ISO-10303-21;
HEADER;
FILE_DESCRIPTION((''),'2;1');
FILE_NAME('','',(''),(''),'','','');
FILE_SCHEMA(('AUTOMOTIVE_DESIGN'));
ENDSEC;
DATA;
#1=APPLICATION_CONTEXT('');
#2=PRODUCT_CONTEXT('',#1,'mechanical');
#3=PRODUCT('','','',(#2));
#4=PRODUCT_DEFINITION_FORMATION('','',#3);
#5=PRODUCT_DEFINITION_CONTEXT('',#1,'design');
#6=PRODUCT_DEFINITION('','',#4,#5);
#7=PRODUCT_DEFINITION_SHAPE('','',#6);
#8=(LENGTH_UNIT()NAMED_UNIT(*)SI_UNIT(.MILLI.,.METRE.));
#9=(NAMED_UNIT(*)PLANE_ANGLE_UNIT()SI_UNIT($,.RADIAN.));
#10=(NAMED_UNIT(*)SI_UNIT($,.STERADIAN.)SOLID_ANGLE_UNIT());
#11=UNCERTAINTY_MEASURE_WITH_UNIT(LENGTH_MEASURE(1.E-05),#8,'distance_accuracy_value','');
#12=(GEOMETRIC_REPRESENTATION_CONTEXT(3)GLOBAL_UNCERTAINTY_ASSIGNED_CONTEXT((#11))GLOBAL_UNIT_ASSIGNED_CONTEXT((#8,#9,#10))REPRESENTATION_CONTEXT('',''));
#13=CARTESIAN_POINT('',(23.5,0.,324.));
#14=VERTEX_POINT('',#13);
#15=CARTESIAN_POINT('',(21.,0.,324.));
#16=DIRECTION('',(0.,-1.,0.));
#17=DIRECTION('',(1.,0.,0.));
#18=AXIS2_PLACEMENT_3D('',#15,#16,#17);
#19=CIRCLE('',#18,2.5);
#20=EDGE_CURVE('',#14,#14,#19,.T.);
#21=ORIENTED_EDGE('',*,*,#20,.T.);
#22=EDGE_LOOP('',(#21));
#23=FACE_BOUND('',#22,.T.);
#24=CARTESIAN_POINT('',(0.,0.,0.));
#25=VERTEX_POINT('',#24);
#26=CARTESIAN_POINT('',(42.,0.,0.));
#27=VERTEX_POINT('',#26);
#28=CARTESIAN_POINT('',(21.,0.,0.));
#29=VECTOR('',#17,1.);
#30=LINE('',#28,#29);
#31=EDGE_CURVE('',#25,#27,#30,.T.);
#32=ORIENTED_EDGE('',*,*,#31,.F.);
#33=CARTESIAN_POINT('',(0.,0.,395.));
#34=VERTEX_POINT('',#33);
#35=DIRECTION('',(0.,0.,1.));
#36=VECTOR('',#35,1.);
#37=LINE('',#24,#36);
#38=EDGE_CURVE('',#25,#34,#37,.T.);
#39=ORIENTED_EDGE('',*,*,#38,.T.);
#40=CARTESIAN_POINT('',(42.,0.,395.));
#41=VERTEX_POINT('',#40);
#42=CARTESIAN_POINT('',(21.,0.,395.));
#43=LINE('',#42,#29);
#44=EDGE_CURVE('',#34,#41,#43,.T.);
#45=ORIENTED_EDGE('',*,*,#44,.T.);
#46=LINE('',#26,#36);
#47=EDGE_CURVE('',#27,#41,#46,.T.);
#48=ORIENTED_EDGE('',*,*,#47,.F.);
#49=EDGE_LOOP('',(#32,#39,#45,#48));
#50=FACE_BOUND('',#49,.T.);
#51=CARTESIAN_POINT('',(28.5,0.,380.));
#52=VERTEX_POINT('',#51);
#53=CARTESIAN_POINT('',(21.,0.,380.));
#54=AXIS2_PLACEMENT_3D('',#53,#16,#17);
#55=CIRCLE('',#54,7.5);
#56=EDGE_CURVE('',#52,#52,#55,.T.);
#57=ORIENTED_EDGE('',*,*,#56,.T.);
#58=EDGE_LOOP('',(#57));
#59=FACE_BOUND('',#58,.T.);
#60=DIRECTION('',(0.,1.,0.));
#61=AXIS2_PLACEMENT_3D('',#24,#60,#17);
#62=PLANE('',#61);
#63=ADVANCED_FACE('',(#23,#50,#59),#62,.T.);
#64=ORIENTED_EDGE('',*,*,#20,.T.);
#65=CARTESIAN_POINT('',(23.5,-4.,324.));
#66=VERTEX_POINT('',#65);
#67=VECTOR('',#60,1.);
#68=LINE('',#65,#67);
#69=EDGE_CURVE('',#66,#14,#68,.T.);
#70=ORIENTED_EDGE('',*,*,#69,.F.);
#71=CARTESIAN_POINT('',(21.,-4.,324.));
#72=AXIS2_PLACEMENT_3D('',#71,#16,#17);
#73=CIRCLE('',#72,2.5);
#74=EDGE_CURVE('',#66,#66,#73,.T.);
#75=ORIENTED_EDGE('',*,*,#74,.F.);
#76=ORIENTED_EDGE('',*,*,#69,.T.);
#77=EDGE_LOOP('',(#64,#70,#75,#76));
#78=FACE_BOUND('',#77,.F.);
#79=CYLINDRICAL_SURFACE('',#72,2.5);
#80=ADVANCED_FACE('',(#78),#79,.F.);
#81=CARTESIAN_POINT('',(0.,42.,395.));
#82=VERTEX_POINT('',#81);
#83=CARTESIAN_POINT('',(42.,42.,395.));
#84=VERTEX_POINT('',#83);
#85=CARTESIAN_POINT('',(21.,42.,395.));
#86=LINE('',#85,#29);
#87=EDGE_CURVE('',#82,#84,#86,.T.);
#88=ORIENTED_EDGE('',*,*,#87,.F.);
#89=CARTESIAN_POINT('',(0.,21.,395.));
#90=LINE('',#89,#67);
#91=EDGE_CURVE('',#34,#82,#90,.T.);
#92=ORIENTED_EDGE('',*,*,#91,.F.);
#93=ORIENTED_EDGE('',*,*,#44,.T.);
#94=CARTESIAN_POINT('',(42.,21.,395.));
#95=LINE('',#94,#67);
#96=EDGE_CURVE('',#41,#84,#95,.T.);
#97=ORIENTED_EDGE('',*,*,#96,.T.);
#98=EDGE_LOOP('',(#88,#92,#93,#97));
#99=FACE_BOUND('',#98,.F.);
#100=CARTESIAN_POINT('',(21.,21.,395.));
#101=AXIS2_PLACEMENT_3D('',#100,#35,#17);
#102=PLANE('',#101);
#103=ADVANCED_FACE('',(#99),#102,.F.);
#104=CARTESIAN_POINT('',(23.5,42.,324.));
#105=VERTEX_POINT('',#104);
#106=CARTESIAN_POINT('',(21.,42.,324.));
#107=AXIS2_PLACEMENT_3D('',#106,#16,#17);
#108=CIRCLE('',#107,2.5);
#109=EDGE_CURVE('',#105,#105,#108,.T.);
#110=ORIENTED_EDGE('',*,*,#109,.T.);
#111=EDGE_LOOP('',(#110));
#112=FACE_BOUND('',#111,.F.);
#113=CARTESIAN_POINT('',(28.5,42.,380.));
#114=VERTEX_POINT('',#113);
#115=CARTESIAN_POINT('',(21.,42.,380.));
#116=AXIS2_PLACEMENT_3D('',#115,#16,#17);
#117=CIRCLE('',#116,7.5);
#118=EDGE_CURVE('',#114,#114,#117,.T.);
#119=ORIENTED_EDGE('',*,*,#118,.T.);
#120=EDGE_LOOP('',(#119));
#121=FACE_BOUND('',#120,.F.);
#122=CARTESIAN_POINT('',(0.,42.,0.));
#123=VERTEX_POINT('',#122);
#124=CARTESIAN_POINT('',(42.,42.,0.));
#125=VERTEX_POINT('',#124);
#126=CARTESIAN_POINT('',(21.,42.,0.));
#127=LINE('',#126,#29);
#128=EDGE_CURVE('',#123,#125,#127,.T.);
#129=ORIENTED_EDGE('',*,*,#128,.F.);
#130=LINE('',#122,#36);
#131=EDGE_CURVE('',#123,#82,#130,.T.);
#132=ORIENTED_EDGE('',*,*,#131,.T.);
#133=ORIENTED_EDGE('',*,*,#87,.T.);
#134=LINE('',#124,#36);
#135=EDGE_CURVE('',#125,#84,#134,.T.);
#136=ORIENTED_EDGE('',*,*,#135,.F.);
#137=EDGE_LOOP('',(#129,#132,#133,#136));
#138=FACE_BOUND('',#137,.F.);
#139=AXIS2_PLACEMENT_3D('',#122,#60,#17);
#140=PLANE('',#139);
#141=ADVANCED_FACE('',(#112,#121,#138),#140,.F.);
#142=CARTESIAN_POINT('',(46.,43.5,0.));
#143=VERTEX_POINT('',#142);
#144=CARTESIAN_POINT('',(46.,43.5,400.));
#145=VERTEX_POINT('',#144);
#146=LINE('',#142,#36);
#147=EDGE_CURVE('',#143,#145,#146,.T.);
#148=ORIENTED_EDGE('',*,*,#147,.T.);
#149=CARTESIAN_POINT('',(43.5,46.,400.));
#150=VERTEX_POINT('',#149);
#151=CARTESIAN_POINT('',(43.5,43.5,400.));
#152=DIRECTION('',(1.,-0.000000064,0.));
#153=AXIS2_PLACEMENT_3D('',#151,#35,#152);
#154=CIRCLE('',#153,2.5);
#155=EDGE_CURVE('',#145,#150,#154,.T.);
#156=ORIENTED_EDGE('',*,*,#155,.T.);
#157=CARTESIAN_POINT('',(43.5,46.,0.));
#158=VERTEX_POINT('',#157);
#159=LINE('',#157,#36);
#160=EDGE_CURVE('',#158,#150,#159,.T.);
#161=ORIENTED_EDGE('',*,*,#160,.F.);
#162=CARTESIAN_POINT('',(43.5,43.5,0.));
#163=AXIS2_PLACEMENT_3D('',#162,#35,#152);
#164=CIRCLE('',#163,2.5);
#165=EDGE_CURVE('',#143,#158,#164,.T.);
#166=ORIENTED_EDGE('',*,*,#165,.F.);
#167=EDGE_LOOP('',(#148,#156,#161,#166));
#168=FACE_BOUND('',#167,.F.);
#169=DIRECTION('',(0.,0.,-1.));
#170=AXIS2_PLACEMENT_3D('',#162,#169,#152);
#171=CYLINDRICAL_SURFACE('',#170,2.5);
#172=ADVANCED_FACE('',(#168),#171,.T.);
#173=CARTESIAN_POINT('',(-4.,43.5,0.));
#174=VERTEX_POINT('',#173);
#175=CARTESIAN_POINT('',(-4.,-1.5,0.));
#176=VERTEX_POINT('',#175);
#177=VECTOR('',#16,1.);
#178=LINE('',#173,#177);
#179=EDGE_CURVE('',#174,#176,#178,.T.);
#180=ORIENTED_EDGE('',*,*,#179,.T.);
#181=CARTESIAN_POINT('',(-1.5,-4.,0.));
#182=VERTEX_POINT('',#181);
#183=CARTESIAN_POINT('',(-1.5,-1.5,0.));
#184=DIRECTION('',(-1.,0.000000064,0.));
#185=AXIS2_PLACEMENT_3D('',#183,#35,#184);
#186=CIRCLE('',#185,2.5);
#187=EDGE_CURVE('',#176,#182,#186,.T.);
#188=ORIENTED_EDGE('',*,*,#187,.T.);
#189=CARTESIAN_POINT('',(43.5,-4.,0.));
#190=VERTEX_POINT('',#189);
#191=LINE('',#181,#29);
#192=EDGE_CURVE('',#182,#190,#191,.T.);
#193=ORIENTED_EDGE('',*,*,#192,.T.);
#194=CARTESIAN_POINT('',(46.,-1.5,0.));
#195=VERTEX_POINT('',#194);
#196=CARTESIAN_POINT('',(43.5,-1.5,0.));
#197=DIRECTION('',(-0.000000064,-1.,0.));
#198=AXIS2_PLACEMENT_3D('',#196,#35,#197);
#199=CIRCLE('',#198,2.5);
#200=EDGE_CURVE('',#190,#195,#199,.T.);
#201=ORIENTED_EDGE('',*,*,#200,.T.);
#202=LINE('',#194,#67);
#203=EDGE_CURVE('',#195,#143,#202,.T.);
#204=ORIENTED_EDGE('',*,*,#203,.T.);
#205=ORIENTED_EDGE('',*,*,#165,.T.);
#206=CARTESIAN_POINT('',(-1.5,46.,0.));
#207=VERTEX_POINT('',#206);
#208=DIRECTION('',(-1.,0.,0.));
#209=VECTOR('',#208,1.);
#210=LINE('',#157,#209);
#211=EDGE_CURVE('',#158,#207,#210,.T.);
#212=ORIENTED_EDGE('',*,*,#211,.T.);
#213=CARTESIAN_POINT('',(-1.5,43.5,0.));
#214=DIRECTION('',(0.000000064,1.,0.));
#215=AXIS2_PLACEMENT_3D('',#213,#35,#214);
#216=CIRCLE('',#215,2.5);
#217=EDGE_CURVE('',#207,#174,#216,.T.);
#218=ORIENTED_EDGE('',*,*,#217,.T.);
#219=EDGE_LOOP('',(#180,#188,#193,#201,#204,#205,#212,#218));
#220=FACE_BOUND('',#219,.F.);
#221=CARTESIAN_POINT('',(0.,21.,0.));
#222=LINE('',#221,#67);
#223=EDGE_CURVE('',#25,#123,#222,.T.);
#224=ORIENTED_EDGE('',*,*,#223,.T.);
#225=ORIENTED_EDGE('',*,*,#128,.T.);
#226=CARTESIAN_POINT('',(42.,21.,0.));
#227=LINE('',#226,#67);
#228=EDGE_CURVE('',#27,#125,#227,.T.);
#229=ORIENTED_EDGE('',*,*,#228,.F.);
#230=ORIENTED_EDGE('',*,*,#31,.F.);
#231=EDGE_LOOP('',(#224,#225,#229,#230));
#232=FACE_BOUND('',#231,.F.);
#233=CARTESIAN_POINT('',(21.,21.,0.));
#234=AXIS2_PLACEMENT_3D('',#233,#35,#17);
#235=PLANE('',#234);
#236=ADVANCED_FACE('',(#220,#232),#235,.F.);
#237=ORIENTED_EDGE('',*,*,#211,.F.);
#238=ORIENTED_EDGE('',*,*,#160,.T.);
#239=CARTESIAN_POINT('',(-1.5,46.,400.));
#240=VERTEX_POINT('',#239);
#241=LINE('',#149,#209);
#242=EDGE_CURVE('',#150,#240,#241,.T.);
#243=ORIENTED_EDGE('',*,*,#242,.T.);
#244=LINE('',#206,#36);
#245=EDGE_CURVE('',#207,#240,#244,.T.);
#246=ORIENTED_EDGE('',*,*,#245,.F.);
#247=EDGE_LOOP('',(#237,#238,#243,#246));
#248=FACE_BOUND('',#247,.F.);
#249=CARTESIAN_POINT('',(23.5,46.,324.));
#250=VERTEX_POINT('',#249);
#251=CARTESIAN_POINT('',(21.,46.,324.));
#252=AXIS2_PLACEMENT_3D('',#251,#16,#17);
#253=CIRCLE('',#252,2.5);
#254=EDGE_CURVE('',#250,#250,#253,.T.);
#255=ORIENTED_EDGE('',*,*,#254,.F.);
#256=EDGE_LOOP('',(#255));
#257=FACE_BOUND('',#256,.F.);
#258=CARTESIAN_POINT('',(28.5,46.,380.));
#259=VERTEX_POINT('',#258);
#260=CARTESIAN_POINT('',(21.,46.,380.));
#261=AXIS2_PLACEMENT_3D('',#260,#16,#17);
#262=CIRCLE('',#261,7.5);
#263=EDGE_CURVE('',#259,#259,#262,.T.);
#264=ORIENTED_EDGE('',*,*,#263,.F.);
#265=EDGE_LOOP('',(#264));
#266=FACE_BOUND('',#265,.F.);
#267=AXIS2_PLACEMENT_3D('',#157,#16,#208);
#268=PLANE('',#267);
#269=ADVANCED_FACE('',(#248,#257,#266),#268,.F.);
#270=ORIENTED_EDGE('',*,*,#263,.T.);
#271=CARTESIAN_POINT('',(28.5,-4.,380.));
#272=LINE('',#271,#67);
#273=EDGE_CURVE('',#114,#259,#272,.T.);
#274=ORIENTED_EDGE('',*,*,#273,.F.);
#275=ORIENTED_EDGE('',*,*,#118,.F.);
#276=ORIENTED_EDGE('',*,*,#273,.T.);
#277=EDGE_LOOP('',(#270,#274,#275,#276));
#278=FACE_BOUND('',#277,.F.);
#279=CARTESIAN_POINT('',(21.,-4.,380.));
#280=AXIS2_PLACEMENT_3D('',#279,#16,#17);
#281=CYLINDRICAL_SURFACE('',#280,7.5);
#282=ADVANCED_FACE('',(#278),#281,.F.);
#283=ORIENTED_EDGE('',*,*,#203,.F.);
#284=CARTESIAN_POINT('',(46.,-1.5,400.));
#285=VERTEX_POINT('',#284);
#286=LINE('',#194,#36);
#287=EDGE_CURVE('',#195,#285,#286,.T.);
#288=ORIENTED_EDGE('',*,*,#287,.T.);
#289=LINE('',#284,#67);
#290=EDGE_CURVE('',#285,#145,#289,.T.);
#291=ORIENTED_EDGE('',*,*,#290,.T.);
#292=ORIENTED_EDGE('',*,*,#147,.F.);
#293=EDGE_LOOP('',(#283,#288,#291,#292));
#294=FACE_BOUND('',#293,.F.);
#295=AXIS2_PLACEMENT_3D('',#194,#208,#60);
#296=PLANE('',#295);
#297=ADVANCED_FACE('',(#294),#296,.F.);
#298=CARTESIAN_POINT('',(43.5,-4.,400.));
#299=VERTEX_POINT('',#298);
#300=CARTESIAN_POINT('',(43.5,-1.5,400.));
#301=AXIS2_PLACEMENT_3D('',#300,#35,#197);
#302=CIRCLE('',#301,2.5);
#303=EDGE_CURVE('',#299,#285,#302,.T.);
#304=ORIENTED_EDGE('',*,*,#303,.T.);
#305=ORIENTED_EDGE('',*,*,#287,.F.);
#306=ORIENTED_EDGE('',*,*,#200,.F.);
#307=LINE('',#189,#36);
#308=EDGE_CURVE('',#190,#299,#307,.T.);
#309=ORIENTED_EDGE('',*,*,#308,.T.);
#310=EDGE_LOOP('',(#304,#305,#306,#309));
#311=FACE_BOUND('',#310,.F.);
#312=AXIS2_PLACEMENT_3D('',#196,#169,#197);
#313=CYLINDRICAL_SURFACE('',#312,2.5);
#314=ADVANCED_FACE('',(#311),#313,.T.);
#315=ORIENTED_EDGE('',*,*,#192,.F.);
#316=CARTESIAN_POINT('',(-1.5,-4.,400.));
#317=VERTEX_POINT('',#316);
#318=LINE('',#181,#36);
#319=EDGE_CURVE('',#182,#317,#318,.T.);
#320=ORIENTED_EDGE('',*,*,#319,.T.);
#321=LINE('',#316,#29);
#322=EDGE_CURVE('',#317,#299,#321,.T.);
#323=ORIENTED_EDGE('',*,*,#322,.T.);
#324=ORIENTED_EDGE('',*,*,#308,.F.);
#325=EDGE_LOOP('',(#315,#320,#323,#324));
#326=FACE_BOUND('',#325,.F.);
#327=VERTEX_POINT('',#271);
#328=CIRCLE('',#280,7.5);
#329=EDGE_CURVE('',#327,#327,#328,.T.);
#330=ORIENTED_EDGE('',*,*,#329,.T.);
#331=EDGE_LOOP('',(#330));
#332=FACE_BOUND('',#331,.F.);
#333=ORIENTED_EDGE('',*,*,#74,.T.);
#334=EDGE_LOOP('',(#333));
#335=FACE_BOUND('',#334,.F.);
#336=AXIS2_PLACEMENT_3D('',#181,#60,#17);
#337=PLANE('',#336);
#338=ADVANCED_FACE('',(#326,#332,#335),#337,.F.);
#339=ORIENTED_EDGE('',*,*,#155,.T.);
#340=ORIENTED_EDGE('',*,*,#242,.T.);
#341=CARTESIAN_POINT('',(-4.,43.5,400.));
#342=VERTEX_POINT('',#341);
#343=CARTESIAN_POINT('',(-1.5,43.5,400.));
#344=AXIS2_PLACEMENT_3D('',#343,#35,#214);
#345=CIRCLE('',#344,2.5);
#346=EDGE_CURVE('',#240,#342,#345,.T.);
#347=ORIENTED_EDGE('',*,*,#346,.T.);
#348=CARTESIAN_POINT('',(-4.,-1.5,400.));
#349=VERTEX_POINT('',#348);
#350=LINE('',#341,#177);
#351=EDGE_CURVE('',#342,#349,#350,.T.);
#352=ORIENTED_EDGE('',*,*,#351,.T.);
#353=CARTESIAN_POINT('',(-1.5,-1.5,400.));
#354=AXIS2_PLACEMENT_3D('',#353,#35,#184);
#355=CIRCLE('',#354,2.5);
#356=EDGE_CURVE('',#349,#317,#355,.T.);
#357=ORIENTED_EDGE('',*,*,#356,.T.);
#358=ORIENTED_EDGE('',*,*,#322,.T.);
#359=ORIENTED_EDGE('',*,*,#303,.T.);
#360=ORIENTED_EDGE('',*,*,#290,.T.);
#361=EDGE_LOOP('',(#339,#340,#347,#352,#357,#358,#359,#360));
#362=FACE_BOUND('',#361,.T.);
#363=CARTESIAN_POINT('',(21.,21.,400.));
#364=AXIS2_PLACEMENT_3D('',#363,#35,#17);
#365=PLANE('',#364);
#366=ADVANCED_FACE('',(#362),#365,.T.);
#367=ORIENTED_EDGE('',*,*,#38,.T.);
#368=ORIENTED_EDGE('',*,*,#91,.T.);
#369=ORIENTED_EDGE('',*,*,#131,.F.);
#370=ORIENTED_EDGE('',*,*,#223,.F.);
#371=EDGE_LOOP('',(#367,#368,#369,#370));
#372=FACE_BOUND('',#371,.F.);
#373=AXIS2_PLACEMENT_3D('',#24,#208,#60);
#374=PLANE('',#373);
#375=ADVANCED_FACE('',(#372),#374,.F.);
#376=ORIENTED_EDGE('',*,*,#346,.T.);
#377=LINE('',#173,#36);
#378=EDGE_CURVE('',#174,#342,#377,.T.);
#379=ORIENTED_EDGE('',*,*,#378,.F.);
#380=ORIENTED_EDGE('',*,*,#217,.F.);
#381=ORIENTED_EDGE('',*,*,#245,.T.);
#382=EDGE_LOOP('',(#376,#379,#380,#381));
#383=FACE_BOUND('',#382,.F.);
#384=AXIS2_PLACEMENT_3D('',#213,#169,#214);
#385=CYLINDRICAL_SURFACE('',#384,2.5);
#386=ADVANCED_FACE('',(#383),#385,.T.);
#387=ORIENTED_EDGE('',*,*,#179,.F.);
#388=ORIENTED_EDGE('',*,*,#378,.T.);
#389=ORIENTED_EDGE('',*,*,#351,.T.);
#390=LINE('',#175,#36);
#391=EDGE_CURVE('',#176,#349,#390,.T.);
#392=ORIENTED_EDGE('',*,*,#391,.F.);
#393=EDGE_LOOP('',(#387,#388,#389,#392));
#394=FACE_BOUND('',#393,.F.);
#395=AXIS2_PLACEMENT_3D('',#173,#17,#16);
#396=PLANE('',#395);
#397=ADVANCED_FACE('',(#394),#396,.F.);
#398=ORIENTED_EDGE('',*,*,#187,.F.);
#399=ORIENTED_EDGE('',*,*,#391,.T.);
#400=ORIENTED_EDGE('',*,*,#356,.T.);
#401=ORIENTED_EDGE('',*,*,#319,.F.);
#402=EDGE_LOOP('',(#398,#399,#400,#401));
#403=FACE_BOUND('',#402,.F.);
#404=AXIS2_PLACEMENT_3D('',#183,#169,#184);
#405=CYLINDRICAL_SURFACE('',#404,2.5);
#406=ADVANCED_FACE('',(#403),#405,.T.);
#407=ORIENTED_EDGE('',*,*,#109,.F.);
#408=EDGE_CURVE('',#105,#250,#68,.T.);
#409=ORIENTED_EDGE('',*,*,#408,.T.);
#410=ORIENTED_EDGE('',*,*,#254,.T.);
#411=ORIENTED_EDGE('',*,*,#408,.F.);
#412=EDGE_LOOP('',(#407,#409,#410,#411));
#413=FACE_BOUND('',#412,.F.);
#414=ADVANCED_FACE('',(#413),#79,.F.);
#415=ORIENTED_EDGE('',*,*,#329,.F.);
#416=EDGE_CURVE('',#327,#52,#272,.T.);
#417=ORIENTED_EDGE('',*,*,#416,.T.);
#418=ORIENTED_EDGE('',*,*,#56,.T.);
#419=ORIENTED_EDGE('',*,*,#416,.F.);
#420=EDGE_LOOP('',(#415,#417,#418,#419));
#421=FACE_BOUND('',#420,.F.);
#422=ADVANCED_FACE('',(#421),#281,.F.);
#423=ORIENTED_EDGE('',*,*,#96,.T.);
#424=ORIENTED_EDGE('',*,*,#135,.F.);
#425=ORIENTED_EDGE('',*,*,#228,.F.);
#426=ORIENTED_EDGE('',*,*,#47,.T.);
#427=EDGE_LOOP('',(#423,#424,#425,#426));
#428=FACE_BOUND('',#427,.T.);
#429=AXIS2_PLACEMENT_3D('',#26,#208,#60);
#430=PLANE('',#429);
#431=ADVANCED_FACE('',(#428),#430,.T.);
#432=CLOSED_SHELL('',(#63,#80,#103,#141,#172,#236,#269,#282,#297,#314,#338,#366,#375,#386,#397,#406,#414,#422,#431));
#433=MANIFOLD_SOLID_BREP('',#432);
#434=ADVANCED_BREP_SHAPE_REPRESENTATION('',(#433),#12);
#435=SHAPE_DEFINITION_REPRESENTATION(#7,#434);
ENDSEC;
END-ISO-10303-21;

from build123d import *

# Parameters (mm, degrees)
F0_W     = 42
F0_H     = 42
F1_DEPTH = 400
F2_R     = 7.5
F3_DEPTH = 50
F4_W     = 42
F4_H     = 42
F5_DEPTH = 5
F6_R     = 2.5
F7_DEPTH = 50


with BuildPart() as f1:
    # F0 (on Top) → F1 (new body)
    with BuildSketch(Plane.XY):
        with BuildLine():
            Line((43.5, 46), (-1.5, 46))
            ThreePointArc((-1.5, 46), (-3.267767, 45.267767), (-4, 43.5))
            Line((-4, 43.5), (-4, -1.5))
            ThreePointArc((-4, -1.5), (-3.267767, -3.267767), (-1.5, -4))
            Line((-1.5, -4), (43.5, -4))
            ThreePointArc((43.5, -4), (45.267767, -3.267767), (46, -1.5))
            Line((46, -1.5), (46, 43.5))
            ThreePointArc((46, 43.5), (45.267767, 45.267767), (43.5, 46))
        make_face()
        with Locations((21, 21)):
            Rectangle(F0_W, F0_H, mode=Mode.SUBTRACT)
    extrude(amount=F1_DEPTH)

    # F2 (on face) → F3 (cut)
    with BuildSketch(Plane.XZ.offset(4)):
        with Locations((21, 380)):
            Circle(F2_R)
    extrude(amount=-F3_DEPTH, mode=Mode.SUBTRACT)

    # F4 (on face) → F5 (join)
    with BuildSketch(Plane.XY.offset(400)):
        with Locations((21, 21)):
            Rectangle(F4_W, F4_H)
    extrude(amount=-F5_DEPTH)

    # F6 (on face) → F7 (cut)
    with BuildSketch(Plane.XZ.offset(4)):
        with Locations((21, 324)):
            Circle(F6_R)
    extrude(amount=-F7_DEPTH, mode=Mode.SUBTRACT)


solid = f1.part
